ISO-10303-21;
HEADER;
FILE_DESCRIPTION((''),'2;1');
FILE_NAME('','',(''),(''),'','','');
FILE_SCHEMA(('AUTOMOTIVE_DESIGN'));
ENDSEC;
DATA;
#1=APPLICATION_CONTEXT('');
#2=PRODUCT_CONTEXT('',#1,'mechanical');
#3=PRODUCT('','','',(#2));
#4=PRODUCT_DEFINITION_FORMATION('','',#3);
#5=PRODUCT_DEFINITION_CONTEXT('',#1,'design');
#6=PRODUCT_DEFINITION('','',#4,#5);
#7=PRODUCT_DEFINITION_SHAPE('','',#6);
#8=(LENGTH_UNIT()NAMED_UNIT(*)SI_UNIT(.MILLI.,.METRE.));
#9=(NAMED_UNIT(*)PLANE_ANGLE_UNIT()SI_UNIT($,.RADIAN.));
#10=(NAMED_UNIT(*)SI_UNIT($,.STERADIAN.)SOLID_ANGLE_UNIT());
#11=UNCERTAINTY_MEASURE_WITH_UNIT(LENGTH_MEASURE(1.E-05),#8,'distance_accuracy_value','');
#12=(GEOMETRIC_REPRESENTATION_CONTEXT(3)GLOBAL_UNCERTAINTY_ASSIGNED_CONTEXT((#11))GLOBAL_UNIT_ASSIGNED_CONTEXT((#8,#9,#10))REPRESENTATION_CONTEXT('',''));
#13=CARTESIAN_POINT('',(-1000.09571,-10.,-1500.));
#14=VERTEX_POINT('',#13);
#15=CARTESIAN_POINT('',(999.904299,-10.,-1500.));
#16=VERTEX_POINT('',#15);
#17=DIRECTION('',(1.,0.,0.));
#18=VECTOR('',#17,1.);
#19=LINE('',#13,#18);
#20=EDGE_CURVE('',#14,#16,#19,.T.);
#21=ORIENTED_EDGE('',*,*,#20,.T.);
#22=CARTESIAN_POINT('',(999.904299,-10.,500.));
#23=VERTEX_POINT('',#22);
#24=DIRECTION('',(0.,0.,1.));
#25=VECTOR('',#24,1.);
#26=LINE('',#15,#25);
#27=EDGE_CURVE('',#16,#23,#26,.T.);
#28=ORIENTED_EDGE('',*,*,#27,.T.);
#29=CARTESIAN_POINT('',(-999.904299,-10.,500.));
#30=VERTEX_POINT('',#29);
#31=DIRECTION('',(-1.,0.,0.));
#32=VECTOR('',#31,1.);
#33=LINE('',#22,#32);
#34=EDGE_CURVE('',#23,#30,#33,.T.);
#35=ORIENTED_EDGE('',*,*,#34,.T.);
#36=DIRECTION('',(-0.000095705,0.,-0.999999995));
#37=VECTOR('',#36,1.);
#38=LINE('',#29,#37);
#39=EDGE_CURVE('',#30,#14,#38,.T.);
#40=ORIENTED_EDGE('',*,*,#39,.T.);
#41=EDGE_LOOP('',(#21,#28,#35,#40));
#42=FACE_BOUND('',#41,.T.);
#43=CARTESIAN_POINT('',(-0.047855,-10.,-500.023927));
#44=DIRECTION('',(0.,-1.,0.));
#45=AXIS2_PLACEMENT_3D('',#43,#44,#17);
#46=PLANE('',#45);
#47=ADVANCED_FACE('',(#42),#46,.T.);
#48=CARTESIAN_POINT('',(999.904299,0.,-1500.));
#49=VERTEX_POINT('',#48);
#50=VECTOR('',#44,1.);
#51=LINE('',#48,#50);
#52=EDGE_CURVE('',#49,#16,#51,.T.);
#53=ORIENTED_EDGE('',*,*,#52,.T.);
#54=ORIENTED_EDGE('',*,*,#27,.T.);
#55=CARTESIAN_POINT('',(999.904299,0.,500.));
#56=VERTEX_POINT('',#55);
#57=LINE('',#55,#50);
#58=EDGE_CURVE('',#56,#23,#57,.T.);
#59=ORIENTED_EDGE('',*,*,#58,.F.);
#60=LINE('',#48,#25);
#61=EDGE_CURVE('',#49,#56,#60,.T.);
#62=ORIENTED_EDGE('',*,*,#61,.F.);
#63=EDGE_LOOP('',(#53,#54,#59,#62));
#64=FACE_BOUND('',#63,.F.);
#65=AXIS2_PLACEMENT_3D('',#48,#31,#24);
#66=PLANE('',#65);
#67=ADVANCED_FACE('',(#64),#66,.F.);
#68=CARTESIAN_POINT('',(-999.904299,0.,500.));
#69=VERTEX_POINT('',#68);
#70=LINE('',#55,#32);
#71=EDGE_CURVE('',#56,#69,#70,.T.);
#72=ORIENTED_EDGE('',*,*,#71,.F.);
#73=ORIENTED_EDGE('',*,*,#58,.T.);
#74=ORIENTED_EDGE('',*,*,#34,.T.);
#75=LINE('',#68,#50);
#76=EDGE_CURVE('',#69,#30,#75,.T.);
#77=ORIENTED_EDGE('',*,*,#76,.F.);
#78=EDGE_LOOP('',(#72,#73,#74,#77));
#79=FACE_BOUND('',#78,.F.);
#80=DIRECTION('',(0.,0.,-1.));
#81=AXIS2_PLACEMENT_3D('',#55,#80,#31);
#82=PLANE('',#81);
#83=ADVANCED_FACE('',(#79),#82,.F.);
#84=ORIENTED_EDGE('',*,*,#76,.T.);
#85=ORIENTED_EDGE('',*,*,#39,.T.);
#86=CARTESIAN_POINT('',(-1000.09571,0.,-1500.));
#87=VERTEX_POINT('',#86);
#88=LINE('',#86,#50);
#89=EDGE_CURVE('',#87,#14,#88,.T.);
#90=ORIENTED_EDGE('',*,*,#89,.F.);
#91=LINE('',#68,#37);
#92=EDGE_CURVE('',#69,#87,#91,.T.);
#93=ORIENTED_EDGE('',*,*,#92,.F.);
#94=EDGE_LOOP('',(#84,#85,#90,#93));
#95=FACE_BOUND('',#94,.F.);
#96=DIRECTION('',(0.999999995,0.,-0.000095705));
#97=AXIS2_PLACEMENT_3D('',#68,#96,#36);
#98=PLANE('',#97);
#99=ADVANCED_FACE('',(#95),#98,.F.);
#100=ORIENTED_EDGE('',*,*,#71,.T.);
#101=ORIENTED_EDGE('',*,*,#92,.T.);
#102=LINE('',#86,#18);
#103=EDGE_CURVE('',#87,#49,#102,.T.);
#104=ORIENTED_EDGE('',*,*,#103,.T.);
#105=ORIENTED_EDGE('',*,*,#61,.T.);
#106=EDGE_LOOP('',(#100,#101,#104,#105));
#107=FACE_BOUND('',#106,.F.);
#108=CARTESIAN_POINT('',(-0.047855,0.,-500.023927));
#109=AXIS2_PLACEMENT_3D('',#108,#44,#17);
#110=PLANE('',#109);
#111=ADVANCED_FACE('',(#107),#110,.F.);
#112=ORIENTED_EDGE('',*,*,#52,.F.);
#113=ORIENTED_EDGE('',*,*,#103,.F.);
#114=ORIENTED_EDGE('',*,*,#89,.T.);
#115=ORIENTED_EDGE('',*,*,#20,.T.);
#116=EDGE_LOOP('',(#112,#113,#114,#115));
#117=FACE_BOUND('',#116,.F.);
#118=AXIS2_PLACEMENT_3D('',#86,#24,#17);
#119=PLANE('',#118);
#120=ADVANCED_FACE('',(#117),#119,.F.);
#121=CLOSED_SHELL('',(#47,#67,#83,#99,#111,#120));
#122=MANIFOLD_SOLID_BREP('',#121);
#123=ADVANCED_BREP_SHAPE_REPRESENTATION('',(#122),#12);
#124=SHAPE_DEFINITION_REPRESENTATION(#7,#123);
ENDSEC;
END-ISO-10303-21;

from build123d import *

# Parameters (mm, degrees)
PAD_DEPTH = 10


with BuildPart() as part:
    # Sketch → Pad (new body)
    with BuildSketch(Plane.XZ):
        Polygon((-999.904299, 500), (-1000.09571, -1500), (999.904299, -1500), (999.904299, 500), align=None)
    extrude(amount=PAD_DEPTH)


solid = part.part
